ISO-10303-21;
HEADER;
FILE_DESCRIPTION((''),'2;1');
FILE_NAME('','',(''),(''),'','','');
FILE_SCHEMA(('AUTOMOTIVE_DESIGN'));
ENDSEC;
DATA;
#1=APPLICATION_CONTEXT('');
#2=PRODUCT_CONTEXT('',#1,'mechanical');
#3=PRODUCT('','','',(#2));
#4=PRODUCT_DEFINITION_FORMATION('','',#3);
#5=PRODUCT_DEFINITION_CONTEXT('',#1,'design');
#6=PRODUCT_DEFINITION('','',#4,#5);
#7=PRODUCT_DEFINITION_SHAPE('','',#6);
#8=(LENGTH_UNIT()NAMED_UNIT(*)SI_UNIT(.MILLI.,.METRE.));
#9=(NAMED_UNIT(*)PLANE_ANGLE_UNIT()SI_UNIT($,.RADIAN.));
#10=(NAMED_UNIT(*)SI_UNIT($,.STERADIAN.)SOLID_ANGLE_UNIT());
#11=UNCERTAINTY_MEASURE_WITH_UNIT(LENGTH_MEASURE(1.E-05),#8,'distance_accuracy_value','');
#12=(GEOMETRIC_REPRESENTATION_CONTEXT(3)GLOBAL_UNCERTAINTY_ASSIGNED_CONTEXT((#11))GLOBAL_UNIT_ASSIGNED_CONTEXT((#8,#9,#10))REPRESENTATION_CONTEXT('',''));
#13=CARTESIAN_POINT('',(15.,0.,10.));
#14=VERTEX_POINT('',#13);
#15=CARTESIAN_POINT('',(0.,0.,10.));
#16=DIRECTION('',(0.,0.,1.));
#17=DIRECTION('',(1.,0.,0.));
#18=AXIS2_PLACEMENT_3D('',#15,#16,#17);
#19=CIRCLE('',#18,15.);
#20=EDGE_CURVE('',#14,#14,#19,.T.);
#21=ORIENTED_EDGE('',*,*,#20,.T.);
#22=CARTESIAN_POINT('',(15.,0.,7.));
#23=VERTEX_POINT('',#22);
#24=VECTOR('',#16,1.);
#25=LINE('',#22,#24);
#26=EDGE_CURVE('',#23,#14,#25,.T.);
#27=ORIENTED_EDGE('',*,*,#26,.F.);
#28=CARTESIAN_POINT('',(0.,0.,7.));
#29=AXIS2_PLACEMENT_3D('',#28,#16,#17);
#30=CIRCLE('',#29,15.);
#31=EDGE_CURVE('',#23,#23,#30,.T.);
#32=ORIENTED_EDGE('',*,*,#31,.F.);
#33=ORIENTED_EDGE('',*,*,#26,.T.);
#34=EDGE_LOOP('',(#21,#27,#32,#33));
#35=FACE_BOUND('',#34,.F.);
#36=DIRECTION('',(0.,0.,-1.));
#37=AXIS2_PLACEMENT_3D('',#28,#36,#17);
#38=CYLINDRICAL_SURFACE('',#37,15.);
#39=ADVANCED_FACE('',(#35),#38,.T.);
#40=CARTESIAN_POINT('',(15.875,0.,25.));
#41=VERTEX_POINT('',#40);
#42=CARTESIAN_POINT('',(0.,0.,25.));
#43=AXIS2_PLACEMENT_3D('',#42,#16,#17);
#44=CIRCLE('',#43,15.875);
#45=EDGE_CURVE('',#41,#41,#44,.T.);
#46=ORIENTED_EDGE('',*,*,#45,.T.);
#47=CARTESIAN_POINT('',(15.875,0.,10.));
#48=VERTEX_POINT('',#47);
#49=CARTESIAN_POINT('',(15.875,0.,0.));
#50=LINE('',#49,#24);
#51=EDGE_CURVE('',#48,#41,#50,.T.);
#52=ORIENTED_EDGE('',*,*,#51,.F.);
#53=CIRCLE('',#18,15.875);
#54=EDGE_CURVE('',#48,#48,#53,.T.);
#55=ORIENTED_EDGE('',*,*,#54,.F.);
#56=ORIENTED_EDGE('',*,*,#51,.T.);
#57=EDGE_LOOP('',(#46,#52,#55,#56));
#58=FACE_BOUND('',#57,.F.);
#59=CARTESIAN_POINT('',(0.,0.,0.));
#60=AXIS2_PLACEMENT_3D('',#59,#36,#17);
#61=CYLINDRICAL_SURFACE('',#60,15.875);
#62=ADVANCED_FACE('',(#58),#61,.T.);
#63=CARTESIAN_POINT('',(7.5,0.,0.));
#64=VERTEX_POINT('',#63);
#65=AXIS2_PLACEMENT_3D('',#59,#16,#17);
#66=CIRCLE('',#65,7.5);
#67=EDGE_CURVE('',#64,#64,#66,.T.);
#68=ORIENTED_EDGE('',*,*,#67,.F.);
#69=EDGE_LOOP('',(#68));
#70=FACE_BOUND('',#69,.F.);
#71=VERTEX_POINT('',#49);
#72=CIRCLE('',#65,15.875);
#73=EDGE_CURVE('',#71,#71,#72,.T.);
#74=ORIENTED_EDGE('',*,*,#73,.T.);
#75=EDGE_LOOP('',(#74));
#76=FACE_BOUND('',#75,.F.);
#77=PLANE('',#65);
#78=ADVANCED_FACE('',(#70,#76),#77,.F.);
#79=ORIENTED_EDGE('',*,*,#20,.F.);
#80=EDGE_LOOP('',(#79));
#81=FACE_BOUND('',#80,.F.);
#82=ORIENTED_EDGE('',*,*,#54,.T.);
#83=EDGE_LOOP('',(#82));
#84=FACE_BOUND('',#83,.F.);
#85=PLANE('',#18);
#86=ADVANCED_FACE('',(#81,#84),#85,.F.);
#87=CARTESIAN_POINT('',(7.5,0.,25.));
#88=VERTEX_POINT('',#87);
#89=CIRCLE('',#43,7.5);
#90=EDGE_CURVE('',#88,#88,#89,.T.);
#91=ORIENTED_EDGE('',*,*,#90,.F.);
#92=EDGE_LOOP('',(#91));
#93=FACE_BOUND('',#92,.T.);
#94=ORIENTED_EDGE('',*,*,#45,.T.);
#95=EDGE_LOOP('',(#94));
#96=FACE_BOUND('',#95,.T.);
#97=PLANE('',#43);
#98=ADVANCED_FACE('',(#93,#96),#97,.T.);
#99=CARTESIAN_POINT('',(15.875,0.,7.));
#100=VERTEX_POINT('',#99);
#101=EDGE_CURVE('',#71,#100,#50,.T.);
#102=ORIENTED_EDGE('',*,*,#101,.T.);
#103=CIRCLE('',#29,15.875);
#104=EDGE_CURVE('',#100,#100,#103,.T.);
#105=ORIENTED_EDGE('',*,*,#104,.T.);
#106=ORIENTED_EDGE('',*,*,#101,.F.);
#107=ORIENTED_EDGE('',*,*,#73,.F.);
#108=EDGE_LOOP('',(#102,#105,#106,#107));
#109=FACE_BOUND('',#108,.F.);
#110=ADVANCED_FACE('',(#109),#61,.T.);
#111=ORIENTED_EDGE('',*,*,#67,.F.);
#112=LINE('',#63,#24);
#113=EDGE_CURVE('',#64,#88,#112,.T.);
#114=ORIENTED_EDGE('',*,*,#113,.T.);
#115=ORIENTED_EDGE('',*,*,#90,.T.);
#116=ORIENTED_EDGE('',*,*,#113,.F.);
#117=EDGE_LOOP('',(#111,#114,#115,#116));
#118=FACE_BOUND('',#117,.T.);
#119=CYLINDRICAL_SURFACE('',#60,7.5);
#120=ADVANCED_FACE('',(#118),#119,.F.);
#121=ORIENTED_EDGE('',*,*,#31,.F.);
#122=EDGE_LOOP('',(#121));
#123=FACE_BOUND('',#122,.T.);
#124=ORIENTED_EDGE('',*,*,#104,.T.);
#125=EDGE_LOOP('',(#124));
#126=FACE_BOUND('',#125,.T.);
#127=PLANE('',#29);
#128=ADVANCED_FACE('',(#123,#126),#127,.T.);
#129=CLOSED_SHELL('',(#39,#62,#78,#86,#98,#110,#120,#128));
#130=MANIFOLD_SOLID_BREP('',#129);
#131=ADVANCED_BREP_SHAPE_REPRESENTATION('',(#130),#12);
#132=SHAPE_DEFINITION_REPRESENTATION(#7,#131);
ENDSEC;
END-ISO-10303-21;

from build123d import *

# Parameters (mm, degrees)
F0_R     = 15.875
F0_R_2   = 7.5
F1_DEPTH = 25
F3_R     = 15.875
F3_R_2   = 15
F4_DEPTH = 3


with BuildPart() as f1:
    # F0 (on Top) → F1 (new body)
    with BuildSketch(Plane.XY):
        Circle(F0_R)
        Circle(F0_R_2, mode=Mode.SUBTRACT)
    extrude(amount=F1_DEPTH)

    # F3 (on offset) → F4 (cut)
    with BuildSketch(Plane.XY.offset(7)):
        Circle(F3_R)
        Circle(F3_R_2, mode=Mode.SUBTRACT)
    extrude(amount=F4_DEPTH, mode=Mode.SUBTRACT)


solid = f1.part
